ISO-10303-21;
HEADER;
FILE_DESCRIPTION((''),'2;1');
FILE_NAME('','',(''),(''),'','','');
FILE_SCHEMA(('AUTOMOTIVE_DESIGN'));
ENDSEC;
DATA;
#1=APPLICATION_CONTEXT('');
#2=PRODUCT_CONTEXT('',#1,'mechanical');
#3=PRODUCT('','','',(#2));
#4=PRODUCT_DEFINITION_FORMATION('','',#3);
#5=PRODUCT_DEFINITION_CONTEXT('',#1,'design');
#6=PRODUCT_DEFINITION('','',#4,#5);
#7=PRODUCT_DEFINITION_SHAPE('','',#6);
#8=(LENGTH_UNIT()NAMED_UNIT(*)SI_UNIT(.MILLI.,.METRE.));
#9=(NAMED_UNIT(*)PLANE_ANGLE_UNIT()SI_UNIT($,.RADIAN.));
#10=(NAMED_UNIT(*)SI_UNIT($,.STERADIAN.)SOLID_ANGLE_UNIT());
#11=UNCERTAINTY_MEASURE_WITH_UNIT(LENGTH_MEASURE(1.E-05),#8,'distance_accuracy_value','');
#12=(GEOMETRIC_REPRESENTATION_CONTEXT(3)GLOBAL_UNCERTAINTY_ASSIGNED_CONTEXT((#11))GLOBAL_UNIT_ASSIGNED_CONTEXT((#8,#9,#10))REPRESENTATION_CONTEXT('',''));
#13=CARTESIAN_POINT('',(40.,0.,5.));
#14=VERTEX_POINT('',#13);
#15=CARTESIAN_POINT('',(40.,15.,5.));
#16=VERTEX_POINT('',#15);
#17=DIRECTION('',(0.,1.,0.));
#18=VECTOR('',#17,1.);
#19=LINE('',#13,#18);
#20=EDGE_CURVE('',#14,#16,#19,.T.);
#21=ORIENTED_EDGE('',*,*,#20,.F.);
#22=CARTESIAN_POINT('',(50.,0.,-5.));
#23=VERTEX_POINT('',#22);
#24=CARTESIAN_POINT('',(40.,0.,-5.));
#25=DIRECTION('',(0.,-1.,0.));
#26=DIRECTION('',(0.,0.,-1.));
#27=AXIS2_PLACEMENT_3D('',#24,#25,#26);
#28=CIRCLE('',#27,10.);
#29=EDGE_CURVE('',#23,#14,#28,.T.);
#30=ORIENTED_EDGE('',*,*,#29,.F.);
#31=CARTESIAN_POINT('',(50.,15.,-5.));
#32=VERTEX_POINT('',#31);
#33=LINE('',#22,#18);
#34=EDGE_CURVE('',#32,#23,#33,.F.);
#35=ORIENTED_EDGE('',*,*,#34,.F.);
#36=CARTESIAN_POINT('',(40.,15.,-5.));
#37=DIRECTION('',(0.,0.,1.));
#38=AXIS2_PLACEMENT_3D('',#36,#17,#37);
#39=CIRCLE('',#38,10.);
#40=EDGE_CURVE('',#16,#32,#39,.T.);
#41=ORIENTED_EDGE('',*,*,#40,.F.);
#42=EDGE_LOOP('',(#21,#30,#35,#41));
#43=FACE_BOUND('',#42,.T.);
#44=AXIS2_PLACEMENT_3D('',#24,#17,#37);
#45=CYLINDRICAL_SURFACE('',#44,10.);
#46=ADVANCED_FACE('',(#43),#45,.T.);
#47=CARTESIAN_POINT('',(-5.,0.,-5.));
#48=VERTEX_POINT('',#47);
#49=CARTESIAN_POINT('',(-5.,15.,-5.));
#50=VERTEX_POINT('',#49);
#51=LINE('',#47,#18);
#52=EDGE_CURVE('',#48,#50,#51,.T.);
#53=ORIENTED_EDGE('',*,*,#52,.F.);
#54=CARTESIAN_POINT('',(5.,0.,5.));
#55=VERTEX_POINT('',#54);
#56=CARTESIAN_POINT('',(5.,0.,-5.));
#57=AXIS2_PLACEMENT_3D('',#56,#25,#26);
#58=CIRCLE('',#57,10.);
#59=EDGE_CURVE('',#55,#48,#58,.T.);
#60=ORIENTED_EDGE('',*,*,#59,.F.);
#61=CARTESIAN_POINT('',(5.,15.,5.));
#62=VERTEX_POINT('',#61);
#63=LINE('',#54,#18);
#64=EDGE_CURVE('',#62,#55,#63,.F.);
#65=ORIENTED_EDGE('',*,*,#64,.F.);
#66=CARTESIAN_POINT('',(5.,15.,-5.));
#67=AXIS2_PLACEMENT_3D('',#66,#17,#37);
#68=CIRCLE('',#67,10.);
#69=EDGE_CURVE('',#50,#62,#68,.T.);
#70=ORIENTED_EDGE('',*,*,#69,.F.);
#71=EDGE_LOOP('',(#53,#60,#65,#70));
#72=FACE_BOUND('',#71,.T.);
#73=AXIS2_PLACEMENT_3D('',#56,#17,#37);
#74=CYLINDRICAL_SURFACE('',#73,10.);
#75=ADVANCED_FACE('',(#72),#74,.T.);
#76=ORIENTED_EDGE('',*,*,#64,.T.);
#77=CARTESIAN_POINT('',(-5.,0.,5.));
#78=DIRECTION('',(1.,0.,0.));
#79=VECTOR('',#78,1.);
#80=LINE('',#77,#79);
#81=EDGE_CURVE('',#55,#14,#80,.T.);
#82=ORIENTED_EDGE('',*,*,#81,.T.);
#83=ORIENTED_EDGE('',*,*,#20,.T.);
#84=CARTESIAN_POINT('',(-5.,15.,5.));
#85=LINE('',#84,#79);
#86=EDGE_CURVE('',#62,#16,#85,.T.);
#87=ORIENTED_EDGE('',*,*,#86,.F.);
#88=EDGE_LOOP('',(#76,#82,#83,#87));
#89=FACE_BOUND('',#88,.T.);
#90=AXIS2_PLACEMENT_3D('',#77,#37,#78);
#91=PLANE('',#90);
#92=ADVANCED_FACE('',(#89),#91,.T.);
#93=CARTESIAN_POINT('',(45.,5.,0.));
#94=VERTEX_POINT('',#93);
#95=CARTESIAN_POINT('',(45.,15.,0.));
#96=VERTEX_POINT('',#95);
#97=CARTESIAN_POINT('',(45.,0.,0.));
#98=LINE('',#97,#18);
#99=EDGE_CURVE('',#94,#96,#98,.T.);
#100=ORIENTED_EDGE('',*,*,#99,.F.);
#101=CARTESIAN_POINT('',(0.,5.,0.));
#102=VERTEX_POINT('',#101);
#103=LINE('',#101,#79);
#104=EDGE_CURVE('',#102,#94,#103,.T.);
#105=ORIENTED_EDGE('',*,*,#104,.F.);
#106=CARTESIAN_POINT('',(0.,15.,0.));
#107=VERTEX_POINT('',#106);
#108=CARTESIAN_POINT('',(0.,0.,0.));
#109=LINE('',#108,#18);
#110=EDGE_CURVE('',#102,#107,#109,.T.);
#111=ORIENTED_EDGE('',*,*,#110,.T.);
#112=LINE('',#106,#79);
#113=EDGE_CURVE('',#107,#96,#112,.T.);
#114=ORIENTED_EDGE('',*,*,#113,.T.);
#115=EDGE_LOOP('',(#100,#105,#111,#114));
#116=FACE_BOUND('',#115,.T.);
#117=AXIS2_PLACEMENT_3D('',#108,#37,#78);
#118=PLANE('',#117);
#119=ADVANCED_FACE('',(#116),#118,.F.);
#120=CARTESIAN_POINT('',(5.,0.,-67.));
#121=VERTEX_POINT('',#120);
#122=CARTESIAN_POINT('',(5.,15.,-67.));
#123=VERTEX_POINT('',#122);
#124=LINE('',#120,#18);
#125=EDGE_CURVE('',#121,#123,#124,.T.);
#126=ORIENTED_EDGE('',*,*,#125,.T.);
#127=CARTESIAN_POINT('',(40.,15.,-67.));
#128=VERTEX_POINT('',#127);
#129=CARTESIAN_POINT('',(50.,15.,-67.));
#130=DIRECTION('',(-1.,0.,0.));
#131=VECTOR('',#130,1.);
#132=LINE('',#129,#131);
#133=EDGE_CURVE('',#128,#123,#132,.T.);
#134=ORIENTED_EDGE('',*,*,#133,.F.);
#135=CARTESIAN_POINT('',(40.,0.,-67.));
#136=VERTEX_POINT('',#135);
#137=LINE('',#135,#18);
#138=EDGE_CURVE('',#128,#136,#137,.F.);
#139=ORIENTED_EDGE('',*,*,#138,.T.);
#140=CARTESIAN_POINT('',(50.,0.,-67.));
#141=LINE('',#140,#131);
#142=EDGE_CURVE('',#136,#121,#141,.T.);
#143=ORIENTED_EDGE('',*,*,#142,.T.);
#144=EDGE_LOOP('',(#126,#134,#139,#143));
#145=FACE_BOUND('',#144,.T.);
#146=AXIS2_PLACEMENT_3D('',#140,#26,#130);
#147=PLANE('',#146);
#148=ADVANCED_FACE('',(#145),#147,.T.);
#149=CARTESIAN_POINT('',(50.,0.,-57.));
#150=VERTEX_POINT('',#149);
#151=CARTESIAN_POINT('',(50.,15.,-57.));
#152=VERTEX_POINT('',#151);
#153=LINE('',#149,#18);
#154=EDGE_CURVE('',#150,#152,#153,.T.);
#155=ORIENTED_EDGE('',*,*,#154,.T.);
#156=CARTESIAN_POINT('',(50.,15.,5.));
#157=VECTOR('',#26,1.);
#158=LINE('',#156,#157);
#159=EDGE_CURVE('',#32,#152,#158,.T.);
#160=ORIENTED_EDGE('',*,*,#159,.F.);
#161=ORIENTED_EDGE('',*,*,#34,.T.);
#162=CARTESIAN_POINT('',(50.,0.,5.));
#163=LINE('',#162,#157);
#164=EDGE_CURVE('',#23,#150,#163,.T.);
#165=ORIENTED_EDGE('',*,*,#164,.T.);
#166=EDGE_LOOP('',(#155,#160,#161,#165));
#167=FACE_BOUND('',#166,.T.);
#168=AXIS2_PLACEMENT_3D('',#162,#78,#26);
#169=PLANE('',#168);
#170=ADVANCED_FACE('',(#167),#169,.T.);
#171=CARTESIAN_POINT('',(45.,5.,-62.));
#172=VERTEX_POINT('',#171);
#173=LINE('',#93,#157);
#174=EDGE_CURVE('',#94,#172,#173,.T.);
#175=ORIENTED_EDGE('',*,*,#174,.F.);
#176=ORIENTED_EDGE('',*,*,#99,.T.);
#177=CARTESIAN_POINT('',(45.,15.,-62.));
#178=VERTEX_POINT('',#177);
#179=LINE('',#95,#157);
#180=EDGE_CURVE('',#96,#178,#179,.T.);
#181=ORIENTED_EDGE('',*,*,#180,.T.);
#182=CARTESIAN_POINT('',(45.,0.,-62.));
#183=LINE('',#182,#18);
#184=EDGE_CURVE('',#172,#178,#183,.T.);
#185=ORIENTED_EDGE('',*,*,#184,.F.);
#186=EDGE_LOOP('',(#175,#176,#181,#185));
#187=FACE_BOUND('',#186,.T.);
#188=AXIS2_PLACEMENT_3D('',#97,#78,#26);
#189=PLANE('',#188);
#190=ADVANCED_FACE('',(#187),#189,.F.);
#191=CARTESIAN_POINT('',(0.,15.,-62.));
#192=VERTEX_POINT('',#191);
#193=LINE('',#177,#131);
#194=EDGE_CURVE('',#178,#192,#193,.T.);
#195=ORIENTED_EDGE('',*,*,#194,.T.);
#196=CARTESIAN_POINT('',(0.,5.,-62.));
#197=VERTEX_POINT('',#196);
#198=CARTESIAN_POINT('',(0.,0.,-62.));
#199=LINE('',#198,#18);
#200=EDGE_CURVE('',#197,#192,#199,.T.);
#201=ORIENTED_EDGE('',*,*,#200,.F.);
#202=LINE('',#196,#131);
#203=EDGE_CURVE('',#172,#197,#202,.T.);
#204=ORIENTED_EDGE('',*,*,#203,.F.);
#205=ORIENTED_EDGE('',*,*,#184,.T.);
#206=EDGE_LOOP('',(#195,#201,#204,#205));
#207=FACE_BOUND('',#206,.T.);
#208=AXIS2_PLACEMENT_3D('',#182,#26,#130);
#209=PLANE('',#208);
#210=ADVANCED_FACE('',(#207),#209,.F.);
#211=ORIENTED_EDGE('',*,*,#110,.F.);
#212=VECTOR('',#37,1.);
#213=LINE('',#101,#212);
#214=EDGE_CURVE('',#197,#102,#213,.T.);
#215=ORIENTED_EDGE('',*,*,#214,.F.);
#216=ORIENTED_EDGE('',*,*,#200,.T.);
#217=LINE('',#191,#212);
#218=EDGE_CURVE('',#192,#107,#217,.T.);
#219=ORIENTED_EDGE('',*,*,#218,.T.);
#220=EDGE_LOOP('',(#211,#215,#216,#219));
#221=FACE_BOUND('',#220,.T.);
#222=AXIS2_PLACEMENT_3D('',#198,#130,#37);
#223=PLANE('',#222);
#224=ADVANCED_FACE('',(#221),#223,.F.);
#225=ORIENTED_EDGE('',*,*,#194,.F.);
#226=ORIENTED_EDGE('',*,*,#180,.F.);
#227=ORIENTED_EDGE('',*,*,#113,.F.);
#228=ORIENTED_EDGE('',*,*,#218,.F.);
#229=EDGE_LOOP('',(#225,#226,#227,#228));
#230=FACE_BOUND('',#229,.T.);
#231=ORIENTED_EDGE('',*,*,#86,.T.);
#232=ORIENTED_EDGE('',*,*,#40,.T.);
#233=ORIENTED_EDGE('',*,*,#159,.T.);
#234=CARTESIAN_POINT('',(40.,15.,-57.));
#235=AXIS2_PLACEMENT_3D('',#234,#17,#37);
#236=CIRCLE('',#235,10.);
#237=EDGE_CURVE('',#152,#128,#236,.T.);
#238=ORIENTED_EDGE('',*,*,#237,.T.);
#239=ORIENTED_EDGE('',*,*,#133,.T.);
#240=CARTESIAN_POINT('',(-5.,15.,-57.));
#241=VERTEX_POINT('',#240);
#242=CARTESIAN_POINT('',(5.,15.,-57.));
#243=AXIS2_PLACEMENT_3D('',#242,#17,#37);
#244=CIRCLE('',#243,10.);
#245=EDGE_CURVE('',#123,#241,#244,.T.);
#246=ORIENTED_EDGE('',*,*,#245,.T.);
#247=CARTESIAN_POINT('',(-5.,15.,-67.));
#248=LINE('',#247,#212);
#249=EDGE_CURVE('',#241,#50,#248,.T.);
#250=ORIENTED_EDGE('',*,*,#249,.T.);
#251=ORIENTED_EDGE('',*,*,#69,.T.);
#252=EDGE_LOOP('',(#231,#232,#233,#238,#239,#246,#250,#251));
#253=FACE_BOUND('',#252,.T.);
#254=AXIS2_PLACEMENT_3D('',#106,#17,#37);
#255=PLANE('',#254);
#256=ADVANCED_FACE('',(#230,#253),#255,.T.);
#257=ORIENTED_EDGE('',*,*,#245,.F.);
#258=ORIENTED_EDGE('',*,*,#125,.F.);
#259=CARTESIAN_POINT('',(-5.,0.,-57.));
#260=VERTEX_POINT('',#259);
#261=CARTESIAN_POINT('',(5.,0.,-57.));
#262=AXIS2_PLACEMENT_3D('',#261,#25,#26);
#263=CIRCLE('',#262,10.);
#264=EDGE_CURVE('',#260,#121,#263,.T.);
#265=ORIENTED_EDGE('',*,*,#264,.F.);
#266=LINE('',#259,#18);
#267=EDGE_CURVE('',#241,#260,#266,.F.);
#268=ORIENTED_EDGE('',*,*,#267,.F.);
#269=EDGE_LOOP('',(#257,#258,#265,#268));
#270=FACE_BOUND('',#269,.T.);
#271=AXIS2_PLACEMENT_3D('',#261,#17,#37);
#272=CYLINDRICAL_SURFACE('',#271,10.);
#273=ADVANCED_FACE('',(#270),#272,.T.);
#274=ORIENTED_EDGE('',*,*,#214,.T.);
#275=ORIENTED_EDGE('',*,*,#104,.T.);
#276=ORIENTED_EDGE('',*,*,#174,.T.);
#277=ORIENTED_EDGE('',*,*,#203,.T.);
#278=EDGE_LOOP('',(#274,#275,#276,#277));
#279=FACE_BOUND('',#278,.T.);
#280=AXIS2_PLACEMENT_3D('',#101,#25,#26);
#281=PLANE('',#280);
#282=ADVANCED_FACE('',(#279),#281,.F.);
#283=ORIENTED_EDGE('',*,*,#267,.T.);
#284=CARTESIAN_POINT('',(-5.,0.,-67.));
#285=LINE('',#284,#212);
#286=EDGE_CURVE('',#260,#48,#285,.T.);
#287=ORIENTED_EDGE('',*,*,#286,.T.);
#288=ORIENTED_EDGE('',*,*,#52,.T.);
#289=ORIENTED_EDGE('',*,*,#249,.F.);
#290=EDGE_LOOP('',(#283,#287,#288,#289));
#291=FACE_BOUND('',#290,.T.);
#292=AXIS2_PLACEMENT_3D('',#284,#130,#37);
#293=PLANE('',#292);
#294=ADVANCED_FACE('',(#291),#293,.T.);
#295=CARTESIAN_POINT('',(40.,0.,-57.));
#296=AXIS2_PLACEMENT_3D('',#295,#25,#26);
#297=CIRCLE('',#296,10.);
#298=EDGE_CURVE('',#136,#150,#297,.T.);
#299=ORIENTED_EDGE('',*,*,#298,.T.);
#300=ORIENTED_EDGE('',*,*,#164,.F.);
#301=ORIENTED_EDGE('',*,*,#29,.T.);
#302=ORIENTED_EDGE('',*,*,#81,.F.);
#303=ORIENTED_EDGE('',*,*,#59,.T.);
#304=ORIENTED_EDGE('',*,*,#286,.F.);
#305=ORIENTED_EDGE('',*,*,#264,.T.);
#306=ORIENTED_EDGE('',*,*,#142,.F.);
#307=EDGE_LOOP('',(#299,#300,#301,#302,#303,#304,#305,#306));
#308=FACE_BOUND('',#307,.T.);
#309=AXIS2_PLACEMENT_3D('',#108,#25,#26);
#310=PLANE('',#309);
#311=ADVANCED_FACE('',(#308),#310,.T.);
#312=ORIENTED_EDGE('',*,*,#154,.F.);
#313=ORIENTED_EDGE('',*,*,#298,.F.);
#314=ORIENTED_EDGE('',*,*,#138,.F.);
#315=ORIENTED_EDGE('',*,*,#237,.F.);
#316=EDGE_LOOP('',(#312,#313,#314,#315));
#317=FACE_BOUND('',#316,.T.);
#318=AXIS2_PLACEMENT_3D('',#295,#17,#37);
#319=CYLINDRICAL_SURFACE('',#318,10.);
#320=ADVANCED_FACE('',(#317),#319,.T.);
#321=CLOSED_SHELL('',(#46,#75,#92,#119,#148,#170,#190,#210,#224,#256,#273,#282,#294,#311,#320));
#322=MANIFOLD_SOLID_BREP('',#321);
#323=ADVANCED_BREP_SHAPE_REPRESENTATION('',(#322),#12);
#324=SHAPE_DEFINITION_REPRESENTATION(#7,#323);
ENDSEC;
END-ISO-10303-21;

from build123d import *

# Parameters (mm, degrees)
SKETCH2_W                = 45
SKETCH2_H                = 62
BOSS_EXTRUDE1_DEPTH      = 5
BOSS_EXTRUDE2_DEPTH      = 10
BOSS_EXTRUDE2_DEPTH_BACK = 5
SKETCH3_W                = 55
SKETCH3_H                = 72
SKETCH3_W_2              = 45
SKETCH3_H_2              = 62
FILLET1_R                = 10


with BuildPart() as part:
    # Sketch2 → Boss-Extrude1 (new body)
    with BuildSketch(Plane(origin=(0, 0, 0), x_dir=(1, 0, 0), z_dir=(0, 1, 0))):
        with Locations((22.5, 31)):
            Rectangle(SKETCH2_W, SKETCH2_H)
    extrude(amount=BOSS_EXTRUDE1_DEPTH)

    # Sketch3 → Boss-Extrude2 (add, two sides: drawn at the far end of the back side and taken through both)
    with BuildSketch(Plane(origin=(0, 5, 0), x_dir=(1, 0, 0), z_dir=(0, 1, 0)).offset(-BOSS_EXTRUDE2_DEPTH_BACK)):
        with Locations((22.5, 31)):
            Rectangle(SKETCH3_W, SKETCH3_H)
        with Locations((22.5, 31)):
            Rectangle(SKETCH3_W_2, SKETCH3_H_2, mode=Mode.SUBTRACT)
    extrude(amount=BOSS_EXTRUDE2_DEPTH + BOSS_EXTRUDE2_DEPTH_BACK)

    # Fillet1
    fillet1_edges = [part.edges().sort_by_distance(p)[0] for p in [
        (50, 7.5, 5),
        (-5, 7.5, 5),
        (-5, 7.5, -67),
        (50, 7.5, -67),
    ]]
    fillet(fillet1_edges, radius=FILLET1_R)


solid = part.part
